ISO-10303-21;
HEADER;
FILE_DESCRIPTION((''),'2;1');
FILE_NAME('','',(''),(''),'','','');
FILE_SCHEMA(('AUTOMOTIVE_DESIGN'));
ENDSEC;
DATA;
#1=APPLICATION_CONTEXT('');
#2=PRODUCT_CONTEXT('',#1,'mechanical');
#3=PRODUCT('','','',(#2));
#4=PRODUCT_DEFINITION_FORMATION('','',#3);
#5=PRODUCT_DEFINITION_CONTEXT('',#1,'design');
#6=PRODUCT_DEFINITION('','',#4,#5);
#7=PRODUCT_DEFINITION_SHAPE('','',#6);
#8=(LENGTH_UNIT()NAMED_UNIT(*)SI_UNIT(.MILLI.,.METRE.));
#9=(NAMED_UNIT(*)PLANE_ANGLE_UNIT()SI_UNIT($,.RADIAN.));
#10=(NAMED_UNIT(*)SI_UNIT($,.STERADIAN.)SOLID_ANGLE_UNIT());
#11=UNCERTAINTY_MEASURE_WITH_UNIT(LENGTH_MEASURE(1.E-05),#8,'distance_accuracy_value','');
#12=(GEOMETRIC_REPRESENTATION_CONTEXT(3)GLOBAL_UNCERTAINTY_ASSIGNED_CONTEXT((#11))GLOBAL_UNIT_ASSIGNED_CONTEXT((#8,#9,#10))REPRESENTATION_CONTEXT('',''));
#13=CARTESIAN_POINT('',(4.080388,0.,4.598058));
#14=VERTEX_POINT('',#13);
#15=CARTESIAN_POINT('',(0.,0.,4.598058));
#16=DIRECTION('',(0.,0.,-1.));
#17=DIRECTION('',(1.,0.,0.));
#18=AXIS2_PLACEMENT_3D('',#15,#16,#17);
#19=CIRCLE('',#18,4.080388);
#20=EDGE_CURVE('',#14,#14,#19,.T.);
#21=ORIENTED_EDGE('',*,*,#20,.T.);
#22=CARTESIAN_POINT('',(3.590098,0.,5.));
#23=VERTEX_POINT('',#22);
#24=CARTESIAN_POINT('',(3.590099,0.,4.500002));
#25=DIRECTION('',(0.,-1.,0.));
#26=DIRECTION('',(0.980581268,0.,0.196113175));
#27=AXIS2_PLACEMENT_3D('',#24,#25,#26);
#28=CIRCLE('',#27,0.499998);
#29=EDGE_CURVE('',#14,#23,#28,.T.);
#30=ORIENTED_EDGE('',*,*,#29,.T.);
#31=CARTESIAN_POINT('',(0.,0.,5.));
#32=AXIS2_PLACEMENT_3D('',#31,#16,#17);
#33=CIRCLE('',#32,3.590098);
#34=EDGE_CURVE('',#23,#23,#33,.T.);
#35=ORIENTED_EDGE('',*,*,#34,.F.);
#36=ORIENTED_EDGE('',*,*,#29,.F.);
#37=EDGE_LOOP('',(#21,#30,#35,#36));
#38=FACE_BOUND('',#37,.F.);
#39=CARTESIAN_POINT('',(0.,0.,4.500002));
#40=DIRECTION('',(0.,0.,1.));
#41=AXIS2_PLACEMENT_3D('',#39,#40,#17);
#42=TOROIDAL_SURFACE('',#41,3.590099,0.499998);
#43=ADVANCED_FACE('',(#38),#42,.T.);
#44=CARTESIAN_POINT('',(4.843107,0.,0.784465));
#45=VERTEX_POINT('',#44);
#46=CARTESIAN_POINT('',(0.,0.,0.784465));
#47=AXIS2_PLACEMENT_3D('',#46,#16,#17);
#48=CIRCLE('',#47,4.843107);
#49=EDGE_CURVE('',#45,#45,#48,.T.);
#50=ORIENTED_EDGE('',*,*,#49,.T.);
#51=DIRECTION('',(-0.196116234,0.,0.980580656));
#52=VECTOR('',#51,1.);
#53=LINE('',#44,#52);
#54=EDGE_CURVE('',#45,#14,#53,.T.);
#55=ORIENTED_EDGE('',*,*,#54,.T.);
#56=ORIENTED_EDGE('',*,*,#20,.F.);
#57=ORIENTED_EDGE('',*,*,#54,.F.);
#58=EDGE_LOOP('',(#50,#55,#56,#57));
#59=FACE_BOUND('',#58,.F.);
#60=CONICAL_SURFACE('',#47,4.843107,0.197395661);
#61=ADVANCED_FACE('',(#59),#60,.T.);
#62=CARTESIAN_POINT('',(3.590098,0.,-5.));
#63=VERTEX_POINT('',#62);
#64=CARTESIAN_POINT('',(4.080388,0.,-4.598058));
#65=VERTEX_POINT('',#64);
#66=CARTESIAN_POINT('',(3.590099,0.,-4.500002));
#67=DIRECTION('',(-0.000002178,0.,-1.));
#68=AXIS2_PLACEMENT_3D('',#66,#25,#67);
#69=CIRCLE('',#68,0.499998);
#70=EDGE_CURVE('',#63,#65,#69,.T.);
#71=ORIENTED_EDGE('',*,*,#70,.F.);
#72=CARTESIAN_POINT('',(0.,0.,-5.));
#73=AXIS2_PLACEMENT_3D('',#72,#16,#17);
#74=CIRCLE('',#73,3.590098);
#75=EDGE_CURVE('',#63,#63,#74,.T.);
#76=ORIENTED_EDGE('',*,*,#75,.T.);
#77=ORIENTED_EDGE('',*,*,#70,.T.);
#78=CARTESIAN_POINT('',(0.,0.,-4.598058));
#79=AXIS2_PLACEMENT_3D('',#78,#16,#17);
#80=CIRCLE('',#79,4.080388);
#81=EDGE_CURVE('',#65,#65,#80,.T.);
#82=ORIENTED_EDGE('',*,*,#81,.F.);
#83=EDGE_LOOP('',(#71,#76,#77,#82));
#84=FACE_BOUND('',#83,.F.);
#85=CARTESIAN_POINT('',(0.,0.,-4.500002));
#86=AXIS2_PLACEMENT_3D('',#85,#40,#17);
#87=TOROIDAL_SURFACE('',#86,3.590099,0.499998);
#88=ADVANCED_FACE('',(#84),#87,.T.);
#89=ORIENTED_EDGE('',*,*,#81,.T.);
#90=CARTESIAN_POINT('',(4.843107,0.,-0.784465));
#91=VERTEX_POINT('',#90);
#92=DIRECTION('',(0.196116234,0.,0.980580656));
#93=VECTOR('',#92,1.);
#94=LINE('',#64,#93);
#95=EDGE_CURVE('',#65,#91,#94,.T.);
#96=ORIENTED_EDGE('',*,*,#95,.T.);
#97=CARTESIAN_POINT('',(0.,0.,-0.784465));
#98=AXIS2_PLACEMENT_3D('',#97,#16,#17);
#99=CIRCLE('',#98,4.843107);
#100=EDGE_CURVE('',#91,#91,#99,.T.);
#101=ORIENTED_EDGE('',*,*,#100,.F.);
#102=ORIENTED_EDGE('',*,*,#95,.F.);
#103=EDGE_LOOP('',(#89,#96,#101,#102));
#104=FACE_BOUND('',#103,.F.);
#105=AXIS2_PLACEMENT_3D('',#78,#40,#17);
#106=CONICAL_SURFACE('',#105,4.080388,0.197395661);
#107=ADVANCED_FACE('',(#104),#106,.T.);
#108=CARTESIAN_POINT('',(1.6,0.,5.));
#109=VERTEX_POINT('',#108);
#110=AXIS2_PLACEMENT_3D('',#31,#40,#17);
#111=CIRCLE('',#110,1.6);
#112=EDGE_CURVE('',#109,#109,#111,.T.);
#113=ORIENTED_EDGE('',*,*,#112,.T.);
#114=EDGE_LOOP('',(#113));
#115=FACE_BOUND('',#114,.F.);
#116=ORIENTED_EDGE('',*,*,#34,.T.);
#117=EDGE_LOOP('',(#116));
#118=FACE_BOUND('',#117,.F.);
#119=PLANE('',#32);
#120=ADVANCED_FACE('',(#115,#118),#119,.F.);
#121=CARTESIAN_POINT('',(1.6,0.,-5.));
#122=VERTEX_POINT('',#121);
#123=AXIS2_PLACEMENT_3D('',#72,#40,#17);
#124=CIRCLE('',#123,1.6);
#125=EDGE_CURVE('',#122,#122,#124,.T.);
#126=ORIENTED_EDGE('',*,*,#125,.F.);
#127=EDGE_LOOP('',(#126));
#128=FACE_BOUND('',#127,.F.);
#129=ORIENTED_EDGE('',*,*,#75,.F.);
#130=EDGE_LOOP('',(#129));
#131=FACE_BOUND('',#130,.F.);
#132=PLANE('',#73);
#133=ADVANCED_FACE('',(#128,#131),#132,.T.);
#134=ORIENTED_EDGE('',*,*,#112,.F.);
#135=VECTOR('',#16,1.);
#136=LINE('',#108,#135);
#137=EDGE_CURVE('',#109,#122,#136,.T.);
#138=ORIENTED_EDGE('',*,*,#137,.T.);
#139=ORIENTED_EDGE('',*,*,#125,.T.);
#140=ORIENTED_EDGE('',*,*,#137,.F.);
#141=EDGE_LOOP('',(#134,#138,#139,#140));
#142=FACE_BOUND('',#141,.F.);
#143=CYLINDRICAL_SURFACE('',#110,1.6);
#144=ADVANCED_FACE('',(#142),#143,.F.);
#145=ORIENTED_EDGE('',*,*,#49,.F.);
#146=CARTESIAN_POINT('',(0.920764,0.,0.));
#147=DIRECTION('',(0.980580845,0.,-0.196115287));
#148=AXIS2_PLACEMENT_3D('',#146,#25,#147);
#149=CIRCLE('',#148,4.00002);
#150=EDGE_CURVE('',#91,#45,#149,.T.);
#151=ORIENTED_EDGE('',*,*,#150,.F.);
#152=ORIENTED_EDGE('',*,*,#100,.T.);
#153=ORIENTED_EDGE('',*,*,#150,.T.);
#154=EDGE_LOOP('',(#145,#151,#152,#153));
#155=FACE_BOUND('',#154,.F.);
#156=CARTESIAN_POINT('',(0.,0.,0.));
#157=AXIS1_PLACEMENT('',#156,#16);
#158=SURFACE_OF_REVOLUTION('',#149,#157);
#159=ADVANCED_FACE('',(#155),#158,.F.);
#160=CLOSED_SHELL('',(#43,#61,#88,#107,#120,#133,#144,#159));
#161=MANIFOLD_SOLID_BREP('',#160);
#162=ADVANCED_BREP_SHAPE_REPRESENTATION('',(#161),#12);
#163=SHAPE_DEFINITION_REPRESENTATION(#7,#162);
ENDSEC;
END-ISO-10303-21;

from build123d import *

# Parameters (mm, degrees)
F2_R     = 1.6
F3_DEPTH = 10.001


with BuildPart() as f1:
    # F0 (on Front) → F1 (revolve)
    with BuildSketch(Plane.XZ):
        with BuildLine():
            Line((4.843107, 0.784465), (4.080388, 4.598058))
            ThreePointArc((4.080388, 4.598058), (3.907093, 4.886671), (3.590098, 5))
            Line((3.590098, 5), (0, 5))
            Line((0, 5), (0, -5))
            Line((0, -5), (3.590098, -5))
            ThreePointArc((3.590098, -5), (3.907093, -4.886671), (4.080388, -4.598058))
            Line((4.080388, -4.598058), (4.843107, -0.784465))
            ThreePointArc((4.843107, -0.784465), (4.920784, 0), (4.843107, 0.784465))
        make_face()
    revolve(axis=Axis((0, 0, 0), (0, 0, -1)))

    # F2 (on face) → F3 (cut, through all)
    with BuildSketch(Plane.XY.offset(5)):
        Circle(F2_R)
    extrude(amount=-F3_DEPTH, mode=Mode.SUBTRACT)


solid = f1.part
